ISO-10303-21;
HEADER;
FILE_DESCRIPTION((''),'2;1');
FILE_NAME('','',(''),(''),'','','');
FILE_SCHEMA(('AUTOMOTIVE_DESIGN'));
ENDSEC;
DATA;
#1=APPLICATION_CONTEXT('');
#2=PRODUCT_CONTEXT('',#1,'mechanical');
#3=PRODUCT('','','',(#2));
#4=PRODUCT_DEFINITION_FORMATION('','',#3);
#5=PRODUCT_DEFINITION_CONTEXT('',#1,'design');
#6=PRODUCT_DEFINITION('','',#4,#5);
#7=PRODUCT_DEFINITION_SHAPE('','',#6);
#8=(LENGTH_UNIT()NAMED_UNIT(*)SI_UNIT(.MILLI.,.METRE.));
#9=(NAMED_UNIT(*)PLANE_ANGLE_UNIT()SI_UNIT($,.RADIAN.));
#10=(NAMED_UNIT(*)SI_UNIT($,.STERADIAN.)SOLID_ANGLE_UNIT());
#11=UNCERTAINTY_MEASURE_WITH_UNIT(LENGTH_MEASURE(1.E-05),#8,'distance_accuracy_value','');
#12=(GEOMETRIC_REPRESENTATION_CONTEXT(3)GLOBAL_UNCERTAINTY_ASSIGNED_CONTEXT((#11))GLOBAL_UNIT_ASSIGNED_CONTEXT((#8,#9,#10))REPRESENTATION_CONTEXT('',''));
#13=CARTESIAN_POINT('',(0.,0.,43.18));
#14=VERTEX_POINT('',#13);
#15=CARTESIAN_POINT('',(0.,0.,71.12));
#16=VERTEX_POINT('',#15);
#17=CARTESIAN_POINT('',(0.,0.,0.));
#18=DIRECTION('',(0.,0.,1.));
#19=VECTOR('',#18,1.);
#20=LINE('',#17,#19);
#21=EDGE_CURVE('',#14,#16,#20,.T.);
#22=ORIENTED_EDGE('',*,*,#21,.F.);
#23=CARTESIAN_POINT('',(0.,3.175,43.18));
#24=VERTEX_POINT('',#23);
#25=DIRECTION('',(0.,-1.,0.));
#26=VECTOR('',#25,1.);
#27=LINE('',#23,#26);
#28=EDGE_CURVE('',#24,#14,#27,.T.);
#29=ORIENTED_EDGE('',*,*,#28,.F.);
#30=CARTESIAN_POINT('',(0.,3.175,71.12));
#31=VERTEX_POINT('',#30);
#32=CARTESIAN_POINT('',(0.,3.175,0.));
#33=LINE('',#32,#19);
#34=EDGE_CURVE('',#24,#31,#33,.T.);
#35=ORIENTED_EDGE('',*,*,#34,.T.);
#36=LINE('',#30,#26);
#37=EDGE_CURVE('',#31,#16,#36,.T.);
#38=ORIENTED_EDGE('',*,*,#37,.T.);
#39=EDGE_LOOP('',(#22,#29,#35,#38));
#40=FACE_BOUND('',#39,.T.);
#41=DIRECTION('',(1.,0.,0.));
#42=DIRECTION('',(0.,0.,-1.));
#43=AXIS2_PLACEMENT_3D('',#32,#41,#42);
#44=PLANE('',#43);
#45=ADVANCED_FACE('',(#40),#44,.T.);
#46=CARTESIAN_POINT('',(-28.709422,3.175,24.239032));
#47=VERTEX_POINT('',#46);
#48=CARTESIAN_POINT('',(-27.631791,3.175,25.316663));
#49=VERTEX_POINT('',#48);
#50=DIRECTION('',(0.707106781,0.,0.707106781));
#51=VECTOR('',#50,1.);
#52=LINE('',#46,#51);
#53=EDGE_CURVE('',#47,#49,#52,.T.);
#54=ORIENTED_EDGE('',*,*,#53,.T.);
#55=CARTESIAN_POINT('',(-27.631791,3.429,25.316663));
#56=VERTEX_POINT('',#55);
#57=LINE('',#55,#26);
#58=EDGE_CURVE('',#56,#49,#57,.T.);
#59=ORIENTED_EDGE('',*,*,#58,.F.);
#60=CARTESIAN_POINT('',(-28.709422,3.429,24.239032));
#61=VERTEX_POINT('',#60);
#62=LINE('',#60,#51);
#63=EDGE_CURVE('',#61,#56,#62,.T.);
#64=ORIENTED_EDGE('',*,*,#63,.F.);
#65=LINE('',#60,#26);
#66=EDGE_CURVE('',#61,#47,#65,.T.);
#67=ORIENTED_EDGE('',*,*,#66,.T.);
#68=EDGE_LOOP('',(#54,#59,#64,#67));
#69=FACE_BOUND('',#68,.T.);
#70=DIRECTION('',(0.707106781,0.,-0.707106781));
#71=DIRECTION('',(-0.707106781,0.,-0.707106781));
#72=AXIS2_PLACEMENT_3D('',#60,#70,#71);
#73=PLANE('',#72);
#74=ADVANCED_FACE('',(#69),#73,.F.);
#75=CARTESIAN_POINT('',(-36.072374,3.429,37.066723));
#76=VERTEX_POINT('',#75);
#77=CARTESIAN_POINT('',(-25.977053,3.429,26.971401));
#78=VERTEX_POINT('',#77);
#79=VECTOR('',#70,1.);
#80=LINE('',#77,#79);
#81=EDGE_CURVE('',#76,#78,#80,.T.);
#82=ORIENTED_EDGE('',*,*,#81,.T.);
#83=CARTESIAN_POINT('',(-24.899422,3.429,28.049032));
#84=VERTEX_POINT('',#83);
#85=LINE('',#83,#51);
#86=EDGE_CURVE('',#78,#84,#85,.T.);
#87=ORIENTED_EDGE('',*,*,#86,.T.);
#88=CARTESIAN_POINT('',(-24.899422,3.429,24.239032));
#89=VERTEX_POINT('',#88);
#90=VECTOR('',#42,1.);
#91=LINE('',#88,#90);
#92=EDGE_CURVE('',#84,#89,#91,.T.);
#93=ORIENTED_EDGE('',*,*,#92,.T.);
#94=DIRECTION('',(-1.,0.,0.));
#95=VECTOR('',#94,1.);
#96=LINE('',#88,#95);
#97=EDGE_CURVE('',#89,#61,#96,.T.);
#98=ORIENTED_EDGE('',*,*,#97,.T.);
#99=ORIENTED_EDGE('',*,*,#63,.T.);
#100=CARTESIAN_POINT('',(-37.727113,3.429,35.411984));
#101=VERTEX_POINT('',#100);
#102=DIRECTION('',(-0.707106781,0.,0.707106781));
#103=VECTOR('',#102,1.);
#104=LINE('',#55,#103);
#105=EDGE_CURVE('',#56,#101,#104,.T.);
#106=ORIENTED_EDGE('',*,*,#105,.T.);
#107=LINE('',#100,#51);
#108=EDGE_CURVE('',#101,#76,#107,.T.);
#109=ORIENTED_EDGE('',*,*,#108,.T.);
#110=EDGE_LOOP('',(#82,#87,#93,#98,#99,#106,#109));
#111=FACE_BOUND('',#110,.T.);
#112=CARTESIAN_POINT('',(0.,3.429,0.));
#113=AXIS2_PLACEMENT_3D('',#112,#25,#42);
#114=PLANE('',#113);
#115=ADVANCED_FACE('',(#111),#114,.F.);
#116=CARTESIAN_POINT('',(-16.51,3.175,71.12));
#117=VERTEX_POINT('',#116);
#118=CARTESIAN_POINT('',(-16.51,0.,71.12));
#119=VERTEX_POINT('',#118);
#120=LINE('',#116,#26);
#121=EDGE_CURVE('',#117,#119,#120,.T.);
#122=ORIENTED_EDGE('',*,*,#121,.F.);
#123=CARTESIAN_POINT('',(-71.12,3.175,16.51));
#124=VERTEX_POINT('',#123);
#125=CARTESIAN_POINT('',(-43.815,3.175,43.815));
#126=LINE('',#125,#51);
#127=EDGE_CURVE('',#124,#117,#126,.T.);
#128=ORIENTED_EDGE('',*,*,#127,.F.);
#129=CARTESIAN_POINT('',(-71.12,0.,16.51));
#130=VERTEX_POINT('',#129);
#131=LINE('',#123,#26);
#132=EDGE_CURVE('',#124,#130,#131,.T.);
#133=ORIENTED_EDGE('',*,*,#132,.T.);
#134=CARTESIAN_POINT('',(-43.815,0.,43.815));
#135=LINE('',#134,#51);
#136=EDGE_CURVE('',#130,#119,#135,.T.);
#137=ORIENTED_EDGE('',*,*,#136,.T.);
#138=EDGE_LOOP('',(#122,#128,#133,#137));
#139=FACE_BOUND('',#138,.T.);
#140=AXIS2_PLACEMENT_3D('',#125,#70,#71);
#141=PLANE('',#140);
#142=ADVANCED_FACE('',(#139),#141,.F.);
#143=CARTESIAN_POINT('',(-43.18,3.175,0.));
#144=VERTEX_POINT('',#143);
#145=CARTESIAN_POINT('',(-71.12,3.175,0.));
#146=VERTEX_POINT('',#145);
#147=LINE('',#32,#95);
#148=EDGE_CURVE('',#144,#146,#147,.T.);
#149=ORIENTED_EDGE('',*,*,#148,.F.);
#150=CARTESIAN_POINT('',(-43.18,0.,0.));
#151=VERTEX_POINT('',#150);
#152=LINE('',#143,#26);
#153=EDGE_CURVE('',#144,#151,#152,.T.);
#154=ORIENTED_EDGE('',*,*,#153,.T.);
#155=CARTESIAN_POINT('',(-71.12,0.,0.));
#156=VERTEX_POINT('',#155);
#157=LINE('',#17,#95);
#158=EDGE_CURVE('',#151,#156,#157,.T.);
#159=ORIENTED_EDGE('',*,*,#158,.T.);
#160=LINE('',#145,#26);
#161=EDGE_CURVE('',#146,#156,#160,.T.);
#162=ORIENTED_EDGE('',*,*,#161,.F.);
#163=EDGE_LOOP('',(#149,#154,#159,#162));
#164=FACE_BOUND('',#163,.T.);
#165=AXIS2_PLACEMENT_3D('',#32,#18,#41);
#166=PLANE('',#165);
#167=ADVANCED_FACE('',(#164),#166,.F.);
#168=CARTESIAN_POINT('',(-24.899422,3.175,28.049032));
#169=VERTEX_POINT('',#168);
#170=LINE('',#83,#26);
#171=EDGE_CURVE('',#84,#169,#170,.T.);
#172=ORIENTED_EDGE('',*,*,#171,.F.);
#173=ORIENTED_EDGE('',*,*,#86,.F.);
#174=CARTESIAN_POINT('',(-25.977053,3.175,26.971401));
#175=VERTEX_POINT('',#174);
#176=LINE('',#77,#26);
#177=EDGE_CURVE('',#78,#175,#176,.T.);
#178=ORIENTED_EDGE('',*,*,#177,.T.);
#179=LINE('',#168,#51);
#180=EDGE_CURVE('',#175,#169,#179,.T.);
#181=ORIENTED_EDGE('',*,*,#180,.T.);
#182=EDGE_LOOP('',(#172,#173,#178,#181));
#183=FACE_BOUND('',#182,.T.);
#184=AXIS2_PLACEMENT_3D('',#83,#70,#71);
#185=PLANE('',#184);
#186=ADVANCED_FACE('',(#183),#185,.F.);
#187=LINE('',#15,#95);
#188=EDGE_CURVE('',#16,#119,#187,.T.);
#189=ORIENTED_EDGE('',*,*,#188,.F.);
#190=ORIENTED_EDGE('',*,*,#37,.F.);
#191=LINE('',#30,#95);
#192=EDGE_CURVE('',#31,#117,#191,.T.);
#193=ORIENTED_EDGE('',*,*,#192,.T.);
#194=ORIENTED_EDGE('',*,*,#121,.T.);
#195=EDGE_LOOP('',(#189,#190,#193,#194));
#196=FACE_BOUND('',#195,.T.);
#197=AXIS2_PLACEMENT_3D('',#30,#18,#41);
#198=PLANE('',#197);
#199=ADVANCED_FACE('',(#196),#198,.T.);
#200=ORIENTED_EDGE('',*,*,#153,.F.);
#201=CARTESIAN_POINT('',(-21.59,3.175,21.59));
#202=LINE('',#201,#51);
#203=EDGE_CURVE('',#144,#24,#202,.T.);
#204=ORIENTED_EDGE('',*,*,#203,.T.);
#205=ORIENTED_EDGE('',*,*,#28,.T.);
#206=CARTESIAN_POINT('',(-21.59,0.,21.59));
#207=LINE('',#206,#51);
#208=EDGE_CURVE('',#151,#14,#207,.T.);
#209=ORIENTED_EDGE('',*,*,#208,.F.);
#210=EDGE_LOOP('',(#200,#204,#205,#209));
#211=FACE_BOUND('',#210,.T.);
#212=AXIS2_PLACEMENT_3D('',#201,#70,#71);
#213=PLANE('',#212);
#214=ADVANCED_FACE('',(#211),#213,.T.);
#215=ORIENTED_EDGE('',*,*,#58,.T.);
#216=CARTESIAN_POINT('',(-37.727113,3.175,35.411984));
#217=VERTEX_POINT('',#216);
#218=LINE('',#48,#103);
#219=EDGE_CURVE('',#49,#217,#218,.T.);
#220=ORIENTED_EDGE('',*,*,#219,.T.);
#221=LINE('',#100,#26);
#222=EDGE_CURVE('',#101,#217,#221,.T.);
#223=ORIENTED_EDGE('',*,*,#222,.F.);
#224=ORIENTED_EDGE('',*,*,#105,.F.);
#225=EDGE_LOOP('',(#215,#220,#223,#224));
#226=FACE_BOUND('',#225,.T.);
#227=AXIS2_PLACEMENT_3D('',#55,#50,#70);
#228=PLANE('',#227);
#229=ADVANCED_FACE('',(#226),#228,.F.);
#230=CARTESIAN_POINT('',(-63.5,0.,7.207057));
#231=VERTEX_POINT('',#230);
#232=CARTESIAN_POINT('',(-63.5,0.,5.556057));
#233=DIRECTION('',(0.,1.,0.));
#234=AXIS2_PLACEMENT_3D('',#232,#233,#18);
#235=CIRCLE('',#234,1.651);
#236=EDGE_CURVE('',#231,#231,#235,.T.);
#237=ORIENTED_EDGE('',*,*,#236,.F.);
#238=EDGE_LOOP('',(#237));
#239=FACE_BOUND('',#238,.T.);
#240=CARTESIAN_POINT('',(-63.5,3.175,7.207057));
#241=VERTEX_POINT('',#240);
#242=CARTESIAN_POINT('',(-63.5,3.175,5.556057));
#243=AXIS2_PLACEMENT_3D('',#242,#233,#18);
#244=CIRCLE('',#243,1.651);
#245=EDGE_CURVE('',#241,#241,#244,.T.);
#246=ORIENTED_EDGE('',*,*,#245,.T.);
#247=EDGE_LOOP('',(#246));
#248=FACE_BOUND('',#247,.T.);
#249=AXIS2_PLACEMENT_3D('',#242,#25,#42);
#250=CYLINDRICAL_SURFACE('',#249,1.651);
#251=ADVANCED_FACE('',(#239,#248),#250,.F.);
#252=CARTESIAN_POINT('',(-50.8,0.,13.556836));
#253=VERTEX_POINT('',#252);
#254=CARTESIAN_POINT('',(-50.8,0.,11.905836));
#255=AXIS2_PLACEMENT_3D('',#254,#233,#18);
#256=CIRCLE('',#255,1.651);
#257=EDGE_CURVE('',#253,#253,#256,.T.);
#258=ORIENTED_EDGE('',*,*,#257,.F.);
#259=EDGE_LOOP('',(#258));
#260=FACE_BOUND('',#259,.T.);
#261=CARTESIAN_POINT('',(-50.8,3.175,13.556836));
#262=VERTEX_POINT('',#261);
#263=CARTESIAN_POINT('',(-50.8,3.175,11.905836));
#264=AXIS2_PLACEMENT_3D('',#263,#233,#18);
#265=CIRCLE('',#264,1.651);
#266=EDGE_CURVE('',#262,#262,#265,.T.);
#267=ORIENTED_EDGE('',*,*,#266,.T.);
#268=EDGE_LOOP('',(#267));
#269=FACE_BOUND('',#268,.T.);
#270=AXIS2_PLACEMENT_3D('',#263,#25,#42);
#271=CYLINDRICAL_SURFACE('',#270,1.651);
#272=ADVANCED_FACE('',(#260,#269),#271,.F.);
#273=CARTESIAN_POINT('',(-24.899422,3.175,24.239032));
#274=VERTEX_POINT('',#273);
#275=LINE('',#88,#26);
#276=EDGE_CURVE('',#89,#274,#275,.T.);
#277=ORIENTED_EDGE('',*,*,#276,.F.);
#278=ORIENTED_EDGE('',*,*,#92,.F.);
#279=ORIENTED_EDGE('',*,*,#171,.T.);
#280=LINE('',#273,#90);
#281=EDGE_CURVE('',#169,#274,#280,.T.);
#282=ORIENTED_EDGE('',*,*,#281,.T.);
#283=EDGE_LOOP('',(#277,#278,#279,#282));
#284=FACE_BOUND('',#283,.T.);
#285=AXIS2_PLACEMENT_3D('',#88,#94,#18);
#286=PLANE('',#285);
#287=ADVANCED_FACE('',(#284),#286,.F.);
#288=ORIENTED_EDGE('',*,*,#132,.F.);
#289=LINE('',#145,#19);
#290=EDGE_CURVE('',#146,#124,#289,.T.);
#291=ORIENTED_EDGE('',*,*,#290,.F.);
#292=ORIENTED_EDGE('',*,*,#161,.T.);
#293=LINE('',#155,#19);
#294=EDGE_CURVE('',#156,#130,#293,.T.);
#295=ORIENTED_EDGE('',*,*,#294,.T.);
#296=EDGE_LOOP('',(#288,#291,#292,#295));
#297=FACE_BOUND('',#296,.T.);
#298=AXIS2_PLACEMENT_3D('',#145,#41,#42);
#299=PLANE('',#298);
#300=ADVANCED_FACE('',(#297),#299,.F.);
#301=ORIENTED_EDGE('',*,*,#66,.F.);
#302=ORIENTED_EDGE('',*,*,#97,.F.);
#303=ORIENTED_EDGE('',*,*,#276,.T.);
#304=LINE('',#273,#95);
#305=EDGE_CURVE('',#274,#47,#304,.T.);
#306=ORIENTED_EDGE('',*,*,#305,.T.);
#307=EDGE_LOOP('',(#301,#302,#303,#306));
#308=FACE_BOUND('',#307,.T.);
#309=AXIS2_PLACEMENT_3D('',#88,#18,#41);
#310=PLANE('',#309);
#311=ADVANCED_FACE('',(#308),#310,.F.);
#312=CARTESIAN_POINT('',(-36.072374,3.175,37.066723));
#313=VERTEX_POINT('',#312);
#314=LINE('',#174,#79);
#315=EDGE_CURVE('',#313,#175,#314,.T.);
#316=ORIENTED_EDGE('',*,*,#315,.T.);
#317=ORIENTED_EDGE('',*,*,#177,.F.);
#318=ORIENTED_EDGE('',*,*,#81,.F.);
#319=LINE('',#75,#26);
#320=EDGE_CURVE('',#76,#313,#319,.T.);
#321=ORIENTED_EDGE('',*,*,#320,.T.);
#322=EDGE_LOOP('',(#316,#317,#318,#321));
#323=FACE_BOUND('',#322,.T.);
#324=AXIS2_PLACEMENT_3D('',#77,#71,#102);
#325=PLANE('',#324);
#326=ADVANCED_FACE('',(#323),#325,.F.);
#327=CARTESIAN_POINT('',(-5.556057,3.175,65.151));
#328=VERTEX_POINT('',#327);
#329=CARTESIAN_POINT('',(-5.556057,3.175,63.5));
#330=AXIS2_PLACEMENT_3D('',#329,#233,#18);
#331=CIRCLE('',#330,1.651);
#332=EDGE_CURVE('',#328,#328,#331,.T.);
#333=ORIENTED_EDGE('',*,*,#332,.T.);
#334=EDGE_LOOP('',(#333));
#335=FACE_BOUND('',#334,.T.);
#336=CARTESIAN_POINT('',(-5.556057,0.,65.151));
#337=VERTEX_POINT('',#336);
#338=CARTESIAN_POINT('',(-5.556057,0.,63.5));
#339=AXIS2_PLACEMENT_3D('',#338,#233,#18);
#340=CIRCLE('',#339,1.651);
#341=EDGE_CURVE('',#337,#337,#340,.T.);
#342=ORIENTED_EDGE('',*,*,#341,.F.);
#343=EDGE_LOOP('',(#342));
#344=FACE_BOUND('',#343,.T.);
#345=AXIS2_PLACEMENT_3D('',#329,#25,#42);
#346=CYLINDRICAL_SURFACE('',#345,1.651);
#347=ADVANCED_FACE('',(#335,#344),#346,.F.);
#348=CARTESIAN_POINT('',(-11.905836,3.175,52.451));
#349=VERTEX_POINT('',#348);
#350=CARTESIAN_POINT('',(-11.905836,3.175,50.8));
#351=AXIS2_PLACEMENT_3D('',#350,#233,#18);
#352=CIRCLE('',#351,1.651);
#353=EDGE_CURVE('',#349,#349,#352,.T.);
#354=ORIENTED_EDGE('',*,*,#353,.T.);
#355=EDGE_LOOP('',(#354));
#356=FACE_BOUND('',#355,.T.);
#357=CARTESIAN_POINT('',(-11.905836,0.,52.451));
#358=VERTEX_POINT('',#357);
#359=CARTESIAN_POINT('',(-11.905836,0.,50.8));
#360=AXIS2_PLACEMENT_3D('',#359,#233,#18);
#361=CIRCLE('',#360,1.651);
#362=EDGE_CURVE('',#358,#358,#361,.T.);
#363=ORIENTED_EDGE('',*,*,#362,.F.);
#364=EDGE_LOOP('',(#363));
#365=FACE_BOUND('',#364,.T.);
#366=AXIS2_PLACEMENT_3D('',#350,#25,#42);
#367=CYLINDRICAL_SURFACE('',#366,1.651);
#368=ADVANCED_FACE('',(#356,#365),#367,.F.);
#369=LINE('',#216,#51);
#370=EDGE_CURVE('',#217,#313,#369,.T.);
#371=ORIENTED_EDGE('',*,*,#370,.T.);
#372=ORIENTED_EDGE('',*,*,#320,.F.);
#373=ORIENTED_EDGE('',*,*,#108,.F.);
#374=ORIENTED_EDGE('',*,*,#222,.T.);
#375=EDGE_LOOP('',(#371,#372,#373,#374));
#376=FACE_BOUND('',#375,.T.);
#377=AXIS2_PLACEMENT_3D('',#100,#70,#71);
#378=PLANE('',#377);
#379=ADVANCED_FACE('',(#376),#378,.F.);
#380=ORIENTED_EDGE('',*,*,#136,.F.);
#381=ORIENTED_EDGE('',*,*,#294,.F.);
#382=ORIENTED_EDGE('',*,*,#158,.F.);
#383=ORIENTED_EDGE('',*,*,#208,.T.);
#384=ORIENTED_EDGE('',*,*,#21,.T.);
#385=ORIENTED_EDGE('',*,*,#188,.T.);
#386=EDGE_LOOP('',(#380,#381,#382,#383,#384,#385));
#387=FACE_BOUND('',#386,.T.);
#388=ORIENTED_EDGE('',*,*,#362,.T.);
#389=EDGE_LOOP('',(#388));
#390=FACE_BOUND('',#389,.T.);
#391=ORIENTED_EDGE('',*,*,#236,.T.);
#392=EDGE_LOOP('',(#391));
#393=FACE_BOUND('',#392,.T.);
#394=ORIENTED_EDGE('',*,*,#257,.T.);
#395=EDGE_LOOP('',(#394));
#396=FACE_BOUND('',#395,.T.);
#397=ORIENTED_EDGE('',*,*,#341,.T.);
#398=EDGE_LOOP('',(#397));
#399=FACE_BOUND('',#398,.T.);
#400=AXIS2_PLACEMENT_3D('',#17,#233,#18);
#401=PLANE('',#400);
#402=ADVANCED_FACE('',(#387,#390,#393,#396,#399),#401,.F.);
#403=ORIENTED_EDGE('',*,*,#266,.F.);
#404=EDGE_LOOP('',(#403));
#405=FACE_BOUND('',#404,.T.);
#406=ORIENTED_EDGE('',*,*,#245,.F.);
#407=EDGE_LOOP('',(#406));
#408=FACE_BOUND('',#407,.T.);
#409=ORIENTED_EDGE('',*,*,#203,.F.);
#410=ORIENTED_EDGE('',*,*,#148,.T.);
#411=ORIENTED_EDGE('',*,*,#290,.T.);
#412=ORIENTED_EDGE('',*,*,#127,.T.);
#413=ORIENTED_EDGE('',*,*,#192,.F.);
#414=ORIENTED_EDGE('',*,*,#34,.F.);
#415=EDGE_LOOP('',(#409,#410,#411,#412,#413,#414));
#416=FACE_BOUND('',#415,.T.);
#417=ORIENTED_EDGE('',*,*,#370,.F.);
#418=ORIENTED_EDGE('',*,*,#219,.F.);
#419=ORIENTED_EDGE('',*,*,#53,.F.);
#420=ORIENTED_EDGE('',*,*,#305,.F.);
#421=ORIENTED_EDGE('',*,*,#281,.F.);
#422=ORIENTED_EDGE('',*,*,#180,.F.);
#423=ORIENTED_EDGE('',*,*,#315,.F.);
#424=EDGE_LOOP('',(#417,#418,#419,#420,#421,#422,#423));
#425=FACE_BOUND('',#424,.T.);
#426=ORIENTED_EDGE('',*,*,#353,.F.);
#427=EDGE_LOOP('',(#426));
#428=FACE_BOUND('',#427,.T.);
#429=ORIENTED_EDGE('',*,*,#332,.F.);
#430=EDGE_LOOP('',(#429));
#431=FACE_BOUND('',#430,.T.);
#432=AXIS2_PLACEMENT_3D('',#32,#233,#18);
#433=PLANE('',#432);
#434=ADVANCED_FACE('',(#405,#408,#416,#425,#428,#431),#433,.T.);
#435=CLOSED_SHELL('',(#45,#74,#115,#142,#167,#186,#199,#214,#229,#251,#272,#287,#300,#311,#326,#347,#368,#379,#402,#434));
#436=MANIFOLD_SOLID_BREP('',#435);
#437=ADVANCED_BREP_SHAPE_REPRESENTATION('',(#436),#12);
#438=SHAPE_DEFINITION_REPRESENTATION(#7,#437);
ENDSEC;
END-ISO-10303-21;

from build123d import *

# Parameters (mm, degrees)
SKETCH1_R           = 1.651
BOSS_EXTRUDE2_DEPTH = 3.175
BOSS_EXTRUDE3_DEPTH = 0.254


with BuildPart() as part:
    # Sketch1 → Boss-Extrude2 (new body)
    with BuildSketch(Plane(origin=(0, 0, 0), x_dir=(1, 0, 0), z_dir=(0, 1, 0))):
        Polygon((0, -43.18), (-43.18, 0), (-71.12, 0), (-71.12, -16.51), (-16.51, -71.12), (0, -71.12), align=None)
        with Locations((-5.55605696, -63.5)):
            Circle(SKETCH1_R, mode=Mode.SUBTRACT)
        with Locations((-11.905836488, -50.8)):
            Circle(SKETCH1_R, mode=Mode.SUBTRACT)
        with Locations((-63.5, -5.55605696)):
            Circle(SKETCH1_R, mode=Mode.SUBTRACT)
        with Locations((-50.8, -11.905836488)):
            Circle(SKETCH1_R, mode=Mode.SUBTRACT)
    extrude(amount=BOSS_EXTRUDE2_DEPTH)

    # Sketch5 → Boss-Extrude3 (add)
    with BuildSketch(Plane(origin=(0, 3.175, 0), x_dir=(1, 0, 0), z_dir=(0, 1, 0))):
        Polygon((-24.899422015, -24.239032228), (-28.709422015, -24.239032228), (-27.63179128, -25.316662963), (-37.727112803, -35.411984485), (-36.072374272, -37.066723016), (-25.977052749, -26.971401493), (-24.899422015, -28.049032228), align=None)
    extrude(amount=BOSS_EXTRUDE3_DEPTH)


solid = part.part
